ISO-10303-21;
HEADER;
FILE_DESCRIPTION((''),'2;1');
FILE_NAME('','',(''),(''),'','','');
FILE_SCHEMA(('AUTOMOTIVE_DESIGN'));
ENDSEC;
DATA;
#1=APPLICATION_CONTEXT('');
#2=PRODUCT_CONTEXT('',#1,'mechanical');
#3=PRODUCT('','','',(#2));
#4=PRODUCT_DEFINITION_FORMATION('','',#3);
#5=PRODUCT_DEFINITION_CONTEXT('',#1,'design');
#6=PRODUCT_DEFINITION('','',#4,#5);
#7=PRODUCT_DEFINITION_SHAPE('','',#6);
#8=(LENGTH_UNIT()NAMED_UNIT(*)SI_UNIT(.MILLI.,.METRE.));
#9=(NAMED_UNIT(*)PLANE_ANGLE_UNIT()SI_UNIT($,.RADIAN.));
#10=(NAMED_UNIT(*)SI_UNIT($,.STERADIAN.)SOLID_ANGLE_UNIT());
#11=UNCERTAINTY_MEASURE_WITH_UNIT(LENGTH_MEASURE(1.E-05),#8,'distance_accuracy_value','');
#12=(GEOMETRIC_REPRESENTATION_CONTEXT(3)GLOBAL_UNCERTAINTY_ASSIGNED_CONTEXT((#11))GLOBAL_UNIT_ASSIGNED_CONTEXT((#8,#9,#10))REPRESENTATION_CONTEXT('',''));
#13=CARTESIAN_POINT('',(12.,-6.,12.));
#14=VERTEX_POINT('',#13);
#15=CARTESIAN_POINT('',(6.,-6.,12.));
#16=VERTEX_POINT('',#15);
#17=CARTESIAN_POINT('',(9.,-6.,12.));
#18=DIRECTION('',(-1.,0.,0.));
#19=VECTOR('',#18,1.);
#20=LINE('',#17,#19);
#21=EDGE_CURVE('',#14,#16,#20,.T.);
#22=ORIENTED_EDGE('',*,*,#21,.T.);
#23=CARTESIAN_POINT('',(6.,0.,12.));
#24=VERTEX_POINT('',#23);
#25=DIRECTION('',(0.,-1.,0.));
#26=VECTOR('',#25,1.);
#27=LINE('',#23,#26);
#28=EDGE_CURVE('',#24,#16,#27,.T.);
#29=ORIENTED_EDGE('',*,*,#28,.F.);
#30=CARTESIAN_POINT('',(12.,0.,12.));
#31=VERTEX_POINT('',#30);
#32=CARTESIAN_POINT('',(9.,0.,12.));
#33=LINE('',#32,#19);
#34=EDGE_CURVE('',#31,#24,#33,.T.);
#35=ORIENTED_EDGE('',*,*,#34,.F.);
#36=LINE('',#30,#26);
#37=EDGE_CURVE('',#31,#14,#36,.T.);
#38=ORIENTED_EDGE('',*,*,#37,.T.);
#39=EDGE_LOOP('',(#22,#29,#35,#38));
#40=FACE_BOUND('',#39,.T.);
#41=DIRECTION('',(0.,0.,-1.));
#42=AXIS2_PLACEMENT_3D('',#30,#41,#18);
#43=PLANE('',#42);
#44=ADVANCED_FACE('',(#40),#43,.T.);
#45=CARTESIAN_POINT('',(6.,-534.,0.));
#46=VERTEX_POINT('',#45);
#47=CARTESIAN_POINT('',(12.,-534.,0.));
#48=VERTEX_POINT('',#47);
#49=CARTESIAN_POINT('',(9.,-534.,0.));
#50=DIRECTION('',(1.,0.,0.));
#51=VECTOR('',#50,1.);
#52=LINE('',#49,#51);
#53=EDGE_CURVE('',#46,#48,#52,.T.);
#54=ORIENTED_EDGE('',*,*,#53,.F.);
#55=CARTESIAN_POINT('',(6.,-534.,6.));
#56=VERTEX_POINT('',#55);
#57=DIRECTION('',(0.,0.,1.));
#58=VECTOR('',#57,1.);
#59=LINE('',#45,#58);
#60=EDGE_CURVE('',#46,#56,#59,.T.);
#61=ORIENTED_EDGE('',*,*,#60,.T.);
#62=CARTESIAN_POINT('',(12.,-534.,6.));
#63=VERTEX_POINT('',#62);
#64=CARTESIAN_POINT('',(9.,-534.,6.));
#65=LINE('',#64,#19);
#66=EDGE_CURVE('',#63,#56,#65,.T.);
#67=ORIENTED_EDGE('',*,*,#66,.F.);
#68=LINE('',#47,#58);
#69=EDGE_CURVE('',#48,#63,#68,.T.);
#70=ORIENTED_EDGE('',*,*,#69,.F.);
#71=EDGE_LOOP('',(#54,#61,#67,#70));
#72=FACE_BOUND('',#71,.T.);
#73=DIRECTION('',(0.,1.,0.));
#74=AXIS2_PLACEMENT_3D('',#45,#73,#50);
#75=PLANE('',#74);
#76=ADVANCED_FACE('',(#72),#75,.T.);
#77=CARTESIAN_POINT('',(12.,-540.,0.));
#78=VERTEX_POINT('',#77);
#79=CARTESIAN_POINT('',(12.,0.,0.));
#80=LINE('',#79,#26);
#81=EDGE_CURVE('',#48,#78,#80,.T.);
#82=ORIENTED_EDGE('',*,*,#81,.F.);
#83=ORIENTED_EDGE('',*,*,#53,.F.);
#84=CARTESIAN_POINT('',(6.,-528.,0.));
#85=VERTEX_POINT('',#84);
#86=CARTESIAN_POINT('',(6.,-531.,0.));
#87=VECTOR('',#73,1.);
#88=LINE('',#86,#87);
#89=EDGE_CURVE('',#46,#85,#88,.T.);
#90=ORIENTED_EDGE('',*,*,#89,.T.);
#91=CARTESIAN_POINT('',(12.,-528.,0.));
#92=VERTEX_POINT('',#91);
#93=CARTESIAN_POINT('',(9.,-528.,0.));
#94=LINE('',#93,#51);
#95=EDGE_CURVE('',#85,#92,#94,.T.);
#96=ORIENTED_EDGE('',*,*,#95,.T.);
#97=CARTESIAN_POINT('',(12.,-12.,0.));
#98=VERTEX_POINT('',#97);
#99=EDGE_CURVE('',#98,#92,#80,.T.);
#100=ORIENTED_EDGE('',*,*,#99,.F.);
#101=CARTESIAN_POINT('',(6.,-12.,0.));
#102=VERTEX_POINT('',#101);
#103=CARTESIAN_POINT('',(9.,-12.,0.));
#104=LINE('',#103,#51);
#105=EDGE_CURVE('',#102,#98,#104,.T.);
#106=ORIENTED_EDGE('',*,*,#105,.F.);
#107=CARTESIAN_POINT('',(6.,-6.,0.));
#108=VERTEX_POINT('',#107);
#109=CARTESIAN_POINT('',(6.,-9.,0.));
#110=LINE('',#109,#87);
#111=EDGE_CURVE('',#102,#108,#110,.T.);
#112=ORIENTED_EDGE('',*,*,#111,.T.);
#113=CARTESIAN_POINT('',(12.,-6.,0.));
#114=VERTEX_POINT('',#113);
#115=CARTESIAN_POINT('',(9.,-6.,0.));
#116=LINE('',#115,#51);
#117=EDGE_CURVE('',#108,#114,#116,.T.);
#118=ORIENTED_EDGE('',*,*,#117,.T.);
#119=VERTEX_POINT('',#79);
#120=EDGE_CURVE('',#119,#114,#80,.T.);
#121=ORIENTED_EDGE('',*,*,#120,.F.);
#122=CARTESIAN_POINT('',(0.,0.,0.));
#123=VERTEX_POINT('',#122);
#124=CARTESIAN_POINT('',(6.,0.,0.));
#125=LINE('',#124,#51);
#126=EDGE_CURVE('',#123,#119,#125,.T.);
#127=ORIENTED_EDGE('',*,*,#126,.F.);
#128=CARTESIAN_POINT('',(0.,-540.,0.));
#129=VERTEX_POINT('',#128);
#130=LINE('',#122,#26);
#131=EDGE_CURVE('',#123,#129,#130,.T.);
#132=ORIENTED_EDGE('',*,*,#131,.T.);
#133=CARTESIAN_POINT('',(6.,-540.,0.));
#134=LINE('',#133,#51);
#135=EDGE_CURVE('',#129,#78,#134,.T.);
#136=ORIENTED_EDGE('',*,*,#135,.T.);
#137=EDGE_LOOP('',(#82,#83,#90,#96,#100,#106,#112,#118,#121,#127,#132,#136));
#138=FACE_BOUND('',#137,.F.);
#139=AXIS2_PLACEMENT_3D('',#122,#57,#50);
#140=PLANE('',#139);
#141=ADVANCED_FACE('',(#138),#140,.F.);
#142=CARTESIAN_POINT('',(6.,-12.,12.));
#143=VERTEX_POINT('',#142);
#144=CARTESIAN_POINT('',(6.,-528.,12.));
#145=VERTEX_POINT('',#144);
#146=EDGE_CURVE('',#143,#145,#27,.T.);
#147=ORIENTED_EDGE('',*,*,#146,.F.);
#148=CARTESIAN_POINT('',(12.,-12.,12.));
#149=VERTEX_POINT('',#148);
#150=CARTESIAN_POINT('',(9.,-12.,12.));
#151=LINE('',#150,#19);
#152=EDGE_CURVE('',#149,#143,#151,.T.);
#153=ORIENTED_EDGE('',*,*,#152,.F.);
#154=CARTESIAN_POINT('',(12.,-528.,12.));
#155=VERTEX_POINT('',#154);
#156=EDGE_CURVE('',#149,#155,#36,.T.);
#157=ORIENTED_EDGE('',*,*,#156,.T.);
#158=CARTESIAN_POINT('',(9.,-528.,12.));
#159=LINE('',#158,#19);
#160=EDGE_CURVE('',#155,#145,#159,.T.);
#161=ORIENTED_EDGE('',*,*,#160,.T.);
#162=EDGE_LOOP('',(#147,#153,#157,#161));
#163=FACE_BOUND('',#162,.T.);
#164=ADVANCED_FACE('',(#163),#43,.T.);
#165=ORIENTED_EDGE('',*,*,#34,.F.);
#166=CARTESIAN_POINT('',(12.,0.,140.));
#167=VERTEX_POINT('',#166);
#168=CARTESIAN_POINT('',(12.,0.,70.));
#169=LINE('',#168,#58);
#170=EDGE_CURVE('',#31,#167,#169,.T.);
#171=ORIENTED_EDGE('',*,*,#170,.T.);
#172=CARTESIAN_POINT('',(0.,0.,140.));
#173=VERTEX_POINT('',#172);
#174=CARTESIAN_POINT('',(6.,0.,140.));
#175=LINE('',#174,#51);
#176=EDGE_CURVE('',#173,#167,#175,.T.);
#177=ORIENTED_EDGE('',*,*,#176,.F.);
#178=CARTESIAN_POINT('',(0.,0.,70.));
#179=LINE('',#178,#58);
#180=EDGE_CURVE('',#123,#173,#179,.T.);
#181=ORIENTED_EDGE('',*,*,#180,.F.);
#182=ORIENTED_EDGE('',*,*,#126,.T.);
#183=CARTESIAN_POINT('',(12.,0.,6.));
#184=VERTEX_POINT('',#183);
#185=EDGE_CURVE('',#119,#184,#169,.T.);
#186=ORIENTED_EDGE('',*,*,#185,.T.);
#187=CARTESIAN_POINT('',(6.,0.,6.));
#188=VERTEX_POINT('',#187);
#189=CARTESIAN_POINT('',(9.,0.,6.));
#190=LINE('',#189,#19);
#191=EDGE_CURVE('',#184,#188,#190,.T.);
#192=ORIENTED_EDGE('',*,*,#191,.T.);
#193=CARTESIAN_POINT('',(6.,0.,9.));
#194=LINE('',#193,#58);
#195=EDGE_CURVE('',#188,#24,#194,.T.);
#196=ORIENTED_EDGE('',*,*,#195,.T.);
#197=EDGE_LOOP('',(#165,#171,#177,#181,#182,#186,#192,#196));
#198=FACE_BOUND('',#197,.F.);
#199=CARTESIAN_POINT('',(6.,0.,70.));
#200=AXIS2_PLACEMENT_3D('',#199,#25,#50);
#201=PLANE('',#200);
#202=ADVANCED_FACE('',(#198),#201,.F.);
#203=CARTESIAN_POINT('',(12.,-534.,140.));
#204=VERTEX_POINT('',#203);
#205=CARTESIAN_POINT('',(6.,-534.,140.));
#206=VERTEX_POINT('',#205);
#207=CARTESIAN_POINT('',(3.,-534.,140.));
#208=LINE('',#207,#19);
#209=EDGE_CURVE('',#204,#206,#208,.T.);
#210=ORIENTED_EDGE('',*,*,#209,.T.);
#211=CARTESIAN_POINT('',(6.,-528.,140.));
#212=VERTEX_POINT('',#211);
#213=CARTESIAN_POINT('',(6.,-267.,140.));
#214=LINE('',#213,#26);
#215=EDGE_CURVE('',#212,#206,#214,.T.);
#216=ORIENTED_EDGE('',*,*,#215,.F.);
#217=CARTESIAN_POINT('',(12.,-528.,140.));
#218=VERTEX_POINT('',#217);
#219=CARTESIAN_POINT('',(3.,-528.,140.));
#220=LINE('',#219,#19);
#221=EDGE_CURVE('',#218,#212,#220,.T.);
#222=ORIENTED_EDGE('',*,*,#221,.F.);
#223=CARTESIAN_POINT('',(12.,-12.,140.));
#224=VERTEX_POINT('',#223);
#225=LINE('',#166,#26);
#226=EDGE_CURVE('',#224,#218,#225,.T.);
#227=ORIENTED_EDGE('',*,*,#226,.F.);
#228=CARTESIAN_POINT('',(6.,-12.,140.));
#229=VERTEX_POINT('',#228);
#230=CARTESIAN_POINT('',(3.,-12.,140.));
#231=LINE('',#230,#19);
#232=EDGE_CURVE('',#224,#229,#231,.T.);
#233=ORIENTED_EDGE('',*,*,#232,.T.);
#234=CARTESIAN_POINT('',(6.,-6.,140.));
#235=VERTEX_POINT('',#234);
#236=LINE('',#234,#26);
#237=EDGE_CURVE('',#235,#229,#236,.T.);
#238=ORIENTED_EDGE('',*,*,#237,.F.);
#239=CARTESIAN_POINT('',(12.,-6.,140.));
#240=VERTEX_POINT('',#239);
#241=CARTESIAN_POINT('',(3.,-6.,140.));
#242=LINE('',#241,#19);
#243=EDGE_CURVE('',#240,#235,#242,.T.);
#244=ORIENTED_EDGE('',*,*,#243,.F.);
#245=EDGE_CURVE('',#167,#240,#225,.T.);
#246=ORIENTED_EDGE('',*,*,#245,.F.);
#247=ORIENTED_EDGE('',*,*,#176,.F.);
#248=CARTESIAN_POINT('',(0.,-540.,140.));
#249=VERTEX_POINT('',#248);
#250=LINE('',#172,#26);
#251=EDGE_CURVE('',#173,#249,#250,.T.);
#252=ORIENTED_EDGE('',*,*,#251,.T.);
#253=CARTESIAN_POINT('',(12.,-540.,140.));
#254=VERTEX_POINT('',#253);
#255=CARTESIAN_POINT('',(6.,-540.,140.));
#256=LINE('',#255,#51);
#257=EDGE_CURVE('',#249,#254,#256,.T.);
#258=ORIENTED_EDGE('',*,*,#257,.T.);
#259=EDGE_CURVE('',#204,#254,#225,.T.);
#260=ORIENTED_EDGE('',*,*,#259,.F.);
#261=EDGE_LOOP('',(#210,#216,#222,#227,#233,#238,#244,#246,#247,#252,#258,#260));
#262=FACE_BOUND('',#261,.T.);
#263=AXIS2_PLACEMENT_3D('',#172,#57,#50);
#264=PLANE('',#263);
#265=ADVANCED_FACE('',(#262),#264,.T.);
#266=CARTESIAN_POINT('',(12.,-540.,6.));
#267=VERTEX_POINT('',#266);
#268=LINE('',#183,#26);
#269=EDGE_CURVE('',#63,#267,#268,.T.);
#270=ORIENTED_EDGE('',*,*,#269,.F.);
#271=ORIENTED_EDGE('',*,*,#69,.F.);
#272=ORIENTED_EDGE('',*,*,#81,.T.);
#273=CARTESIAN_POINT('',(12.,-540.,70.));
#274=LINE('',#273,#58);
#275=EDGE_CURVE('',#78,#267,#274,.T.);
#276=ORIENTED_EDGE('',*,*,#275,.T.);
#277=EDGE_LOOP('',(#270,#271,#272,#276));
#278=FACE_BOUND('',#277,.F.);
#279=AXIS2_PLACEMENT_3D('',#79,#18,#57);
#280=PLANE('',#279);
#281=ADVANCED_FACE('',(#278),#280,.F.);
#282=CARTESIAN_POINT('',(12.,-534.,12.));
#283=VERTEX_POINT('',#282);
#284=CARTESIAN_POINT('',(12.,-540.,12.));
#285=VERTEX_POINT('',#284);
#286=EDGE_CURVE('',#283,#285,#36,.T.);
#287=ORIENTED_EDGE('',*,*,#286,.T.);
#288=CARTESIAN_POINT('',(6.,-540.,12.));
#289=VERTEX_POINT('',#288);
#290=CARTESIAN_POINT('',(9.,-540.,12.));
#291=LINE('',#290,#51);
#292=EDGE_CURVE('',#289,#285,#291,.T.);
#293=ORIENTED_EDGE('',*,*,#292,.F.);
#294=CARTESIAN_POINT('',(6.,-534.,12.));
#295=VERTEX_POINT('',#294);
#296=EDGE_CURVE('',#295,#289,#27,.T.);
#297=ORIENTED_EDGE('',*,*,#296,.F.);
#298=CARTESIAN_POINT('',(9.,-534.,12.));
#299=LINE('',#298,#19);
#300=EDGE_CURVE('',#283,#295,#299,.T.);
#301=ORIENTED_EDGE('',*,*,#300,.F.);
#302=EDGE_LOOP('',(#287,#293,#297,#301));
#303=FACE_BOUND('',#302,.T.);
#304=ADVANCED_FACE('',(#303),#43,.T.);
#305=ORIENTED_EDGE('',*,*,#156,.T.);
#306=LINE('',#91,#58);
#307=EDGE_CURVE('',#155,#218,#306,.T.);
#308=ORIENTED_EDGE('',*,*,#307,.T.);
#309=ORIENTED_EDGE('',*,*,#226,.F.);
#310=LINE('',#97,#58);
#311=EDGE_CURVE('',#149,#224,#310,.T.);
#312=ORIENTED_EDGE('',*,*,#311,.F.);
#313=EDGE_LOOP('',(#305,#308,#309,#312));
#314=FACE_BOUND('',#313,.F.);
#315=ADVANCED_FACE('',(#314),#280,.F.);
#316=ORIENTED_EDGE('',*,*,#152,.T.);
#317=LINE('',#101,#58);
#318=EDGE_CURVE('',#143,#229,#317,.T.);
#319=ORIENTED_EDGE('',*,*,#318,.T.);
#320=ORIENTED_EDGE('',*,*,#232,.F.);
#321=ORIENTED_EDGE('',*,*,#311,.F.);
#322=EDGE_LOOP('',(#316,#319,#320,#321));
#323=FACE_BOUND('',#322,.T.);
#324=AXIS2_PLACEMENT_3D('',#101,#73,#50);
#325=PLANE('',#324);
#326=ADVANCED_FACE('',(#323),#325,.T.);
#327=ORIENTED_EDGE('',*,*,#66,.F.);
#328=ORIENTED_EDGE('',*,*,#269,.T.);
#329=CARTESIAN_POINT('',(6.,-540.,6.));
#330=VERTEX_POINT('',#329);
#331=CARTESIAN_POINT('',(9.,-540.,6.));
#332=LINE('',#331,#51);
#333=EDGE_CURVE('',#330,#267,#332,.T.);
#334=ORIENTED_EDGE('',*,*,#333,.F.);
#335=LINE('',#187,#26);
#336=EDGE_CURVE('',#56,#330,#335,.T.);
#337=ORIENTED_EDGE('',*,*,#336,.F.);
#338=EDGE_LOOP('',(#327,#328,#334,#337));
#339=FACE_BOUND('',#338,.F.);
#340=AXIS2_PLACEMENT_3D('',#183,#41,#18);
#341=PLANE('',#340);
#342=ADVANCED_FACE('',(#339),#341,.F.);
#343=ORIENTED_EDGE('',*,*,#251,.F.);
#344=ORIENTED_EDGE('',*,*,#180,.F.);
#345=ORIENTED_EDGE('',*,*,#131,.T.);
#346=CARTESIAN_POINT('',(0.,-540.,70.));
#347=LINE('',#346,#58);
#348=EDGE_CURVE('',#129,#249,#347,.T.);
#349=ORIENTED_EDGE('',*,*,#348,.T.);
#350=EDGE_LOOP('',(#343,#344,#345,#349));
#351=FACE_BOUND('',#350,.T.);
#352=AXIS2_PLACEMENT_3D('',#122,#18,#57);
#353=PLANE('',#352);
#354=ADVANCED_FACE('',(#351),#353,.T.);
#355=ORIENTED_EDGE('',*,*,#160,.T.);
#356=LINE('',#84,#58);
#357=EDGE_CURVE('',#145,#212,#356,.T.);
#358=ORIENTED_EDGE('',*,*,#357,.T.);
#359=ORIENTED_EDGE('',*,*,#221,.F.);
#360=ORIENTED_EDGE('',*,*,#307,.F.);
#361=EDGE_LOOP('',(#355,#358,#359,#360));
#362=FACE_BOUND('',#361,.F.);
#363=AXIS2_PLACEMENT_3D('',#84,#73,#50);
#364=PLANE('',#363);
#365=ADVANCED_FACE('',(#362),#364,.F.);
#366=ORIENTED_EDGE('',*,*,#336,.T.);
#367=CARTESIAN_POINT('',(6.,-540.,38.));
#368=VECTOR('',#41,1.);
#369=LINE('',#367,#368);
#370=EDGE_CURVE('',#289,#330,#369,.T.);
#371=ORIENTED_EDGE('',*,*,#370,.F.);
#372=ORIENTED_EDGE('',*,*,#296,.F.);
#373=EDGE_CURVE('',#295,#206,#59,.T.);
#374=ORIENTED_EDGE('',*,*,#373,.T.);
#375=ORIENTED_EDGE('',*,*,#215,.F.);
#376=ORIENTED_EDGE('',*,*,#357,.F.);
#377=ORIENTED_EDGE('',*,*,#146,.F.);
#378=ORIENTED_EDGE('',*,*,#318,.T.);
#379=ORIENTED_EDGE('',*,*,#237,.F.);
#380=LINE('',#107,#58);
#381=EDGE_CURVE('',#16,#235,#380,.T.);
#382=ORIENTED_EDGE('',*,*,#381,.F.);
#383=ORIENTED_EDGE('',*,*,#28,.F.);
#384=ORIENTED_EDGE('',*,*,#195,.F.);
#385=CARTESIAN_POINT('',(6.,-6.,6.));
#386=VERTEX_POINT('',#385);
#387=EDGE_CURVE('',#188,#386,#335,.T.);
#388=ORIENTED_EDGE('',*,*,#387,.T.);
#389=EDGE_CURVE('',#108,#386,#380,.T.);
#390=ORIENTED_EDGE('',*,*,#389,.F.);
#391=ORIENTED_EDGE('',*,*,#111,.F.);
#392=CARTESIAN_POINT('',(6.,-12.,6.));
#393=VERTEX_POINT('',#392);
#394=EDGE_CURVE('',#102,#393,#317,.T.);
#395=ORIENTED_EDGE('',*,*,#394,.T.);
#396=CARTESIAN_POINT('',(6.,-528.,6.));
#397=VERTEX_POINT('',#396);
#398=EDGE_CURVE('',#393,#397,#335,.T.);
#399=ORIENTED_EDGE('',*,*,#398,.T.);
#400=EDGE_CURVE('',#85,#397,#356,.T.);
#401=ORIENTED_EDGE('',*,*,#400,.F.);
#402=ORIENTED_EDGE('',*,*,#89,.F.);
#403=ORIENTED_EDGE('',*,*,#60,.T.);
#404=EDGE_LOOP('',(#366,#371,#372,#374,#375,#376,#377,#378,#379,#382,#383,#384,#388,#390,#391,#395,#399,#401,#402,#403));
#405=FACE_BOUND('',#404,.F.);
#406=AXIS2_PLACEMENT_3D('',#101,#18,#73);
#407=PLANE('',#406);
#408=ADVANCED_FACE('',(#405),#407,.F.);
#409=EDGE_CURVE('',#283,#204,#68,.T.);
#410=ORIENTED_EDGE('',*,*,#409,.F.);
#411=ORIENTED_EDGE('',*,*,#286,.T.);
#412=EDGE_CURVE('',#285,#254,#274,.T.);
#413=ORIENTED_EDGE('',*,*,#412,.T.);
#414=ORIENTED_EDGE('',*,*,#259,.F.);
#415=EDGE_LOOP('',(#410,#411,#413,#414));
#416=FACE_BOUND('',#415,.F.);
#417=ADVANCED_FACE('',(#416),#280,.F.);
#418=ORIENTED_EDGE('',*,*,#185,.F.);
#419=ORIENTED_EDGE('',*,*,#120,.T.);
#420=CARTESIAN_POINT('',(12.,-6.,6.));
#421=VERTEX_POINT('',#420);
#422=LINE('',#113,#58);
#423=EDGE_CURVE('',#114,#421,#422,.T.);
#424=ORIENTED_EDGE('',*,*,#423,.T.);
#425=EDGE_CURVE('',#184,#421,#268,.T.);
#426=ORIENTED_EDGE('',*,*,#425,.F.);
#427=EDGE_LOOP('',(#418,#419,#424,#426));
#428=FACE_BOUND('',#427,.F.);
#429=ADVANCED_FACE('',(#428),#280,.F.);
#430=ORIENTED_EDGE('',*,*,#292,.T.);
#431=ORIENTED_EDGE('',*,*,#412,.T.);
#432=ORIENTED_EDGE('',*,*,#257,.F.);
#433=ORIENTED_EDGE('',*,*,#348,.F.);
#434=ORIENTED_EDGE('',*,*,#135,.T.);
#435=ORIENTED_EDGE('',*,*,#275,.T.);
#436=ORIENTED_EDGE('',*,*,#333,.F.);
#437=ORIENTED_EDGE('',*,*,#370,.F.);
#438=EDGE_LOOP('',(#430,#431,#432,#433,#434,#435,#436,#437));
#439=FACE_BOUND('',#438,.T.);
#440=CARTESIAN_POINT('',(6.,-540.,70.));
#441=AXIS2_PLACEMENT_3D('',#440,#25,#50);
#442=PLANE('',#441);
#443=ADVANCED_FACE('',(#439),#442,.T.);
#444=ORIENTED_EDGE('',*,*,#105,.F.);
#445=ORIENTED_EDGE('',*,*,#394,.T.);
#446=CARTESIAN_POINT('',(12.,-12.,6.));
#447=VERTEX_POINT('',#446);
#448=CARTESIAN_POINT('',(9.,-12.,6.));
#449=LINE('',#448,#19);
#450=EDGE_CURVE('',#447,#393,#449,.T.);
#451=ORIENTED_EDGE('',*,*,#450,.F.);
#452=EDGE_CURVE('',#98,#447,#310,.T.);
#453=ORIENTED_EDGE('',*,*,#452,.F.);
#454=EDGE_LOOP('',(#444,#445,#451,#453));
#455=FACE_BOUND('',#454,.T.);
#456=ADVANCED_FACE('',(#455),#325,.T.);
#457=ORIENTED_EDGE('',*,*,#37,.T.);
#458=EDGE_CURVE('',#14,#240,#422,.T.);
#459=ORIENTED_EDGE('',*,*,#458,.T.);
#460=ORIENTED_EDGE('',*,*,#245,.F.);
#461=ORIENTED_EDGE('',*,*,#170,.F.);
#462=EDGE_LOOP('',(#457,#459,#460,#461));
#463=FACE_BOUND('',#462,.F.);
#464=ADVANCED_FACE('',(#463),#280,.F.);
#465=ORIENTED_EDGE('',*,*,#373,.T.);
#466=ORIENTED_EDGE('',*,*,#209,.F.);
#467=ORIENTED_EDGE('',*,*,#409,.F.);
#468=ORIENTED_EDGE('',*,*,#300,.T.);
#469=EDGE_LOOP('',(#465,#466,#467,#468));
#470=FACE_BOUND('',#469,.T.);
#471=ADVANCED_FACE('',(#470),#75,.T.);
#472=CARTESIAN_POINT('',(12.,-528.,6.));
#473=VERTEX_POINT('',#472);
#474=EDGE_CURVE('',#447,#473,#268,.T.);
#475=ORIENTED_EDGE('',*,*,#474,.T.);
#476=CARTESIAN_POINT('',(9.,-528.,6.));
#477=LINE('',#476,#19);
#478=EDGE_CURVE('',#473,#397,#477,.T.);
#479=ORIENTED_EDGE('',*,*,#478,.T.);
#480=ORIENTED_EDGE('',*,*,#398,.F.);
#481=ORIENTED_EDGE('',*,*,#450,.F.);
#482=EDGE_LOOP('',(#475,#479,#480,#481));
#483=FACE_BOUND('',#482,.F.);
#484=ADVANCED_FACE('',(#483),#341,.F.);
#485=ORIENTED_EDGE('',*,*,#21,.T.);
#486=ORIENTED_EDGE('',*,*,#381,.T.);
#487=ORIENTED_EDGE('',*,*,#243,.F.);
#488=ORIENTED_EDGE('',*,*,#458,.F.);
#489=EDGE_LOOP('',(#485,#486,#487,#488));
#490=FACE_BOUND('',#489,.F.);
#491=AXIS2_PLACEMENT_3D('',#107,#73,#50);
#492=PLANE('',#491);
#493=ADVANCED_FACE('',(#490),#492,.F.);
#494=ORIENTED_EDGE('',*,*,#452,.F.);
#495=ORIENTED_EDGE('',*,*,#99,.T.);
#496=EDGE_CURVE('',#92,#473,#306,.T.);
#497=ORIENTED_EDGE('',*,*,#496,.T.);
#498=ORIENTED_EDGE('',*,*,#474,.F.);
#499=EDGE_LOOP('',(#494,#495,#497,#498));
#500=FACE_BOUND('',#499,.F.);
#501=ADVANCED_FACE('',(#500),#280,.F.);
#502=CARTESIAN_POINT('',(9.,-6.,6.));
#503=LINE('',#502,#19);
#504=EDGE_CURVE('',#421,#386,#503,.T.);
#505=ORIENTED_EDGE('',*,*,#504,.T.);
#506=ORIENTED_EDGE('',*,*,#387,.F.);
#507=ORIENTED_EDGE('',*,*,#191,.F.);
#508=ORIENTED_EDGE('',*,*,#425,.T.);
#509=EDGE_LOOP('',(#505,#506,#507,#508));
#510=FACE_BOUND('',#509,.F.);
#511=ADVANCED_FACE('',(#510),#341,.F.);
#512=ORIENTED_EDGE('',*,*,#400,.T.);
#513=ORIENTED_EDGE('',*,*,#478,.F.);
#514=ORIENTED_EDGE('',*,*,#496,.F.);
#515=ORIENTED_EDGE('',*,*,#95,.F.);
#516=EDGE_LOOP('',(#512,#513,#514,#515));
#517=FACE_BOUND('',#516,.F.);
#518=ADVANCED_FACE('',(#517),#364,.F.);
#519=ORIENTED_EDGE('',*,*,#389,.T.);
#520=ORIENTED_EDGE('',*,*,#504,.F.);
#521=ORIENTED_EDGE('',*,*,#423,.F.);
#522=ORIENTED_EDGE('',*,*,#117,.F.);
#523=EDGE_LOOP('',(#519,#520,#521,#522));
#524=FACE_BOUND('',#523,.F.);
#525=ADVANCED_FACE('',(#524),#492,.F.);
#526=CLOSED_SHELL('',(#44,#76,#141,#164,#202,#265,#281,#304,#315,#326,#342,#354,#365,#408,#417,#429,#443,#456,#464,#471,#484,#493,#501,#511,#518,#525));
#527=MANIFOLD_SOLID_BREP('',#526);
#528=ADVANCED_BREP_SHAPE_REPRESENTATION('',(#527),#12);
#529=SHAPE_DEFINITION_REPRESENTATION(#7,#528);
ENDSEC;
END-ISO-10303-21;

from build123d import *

# Parameters (mm, degrees)
F0_W     = 12
F0_H     = 140
F1_DEPTH = 540
F2_W     = 6
F2_H     = 6
F3_DEPTH = 140.001
F4_W     = 6
F4_H     = 6
F5_DEPTH = 540.001


with BuildPart() as f1:
    # F0 (on Front) → F1 (new body)
    with BuildSketch(Plane.XZ):
        with Locations((6, 70)):
            Rectangle(F0_W, F0_H)
    extrude(amount=F1_DEPTH)

    # F2 (on Top) → F3 (cut, through all)
    with BuildSketch(Plane.XY):
        with Locations((9, -9)):
            Rectangle(F2_W, F2_H)
        with Locations((9, -531)):
            Rectangle(F2_W, F2_H)
    extrude(amount=F3_DEPTH, mode=Mode.SUBTRACT)

    # F4 (on face) → F5 (cut, through all)
    with BuildSketch(Plane(origin=(0, 0, 0), x_dir=(-1, 0, 0), z_dir=(0, 1, 0))):
        with Locations((-9, 9)):
            Rectangle(F4_W, F4_H)
    extrude(amount=-F5_DEPTH, mode=Mode.SUBTRACT)


solid = f1.part
